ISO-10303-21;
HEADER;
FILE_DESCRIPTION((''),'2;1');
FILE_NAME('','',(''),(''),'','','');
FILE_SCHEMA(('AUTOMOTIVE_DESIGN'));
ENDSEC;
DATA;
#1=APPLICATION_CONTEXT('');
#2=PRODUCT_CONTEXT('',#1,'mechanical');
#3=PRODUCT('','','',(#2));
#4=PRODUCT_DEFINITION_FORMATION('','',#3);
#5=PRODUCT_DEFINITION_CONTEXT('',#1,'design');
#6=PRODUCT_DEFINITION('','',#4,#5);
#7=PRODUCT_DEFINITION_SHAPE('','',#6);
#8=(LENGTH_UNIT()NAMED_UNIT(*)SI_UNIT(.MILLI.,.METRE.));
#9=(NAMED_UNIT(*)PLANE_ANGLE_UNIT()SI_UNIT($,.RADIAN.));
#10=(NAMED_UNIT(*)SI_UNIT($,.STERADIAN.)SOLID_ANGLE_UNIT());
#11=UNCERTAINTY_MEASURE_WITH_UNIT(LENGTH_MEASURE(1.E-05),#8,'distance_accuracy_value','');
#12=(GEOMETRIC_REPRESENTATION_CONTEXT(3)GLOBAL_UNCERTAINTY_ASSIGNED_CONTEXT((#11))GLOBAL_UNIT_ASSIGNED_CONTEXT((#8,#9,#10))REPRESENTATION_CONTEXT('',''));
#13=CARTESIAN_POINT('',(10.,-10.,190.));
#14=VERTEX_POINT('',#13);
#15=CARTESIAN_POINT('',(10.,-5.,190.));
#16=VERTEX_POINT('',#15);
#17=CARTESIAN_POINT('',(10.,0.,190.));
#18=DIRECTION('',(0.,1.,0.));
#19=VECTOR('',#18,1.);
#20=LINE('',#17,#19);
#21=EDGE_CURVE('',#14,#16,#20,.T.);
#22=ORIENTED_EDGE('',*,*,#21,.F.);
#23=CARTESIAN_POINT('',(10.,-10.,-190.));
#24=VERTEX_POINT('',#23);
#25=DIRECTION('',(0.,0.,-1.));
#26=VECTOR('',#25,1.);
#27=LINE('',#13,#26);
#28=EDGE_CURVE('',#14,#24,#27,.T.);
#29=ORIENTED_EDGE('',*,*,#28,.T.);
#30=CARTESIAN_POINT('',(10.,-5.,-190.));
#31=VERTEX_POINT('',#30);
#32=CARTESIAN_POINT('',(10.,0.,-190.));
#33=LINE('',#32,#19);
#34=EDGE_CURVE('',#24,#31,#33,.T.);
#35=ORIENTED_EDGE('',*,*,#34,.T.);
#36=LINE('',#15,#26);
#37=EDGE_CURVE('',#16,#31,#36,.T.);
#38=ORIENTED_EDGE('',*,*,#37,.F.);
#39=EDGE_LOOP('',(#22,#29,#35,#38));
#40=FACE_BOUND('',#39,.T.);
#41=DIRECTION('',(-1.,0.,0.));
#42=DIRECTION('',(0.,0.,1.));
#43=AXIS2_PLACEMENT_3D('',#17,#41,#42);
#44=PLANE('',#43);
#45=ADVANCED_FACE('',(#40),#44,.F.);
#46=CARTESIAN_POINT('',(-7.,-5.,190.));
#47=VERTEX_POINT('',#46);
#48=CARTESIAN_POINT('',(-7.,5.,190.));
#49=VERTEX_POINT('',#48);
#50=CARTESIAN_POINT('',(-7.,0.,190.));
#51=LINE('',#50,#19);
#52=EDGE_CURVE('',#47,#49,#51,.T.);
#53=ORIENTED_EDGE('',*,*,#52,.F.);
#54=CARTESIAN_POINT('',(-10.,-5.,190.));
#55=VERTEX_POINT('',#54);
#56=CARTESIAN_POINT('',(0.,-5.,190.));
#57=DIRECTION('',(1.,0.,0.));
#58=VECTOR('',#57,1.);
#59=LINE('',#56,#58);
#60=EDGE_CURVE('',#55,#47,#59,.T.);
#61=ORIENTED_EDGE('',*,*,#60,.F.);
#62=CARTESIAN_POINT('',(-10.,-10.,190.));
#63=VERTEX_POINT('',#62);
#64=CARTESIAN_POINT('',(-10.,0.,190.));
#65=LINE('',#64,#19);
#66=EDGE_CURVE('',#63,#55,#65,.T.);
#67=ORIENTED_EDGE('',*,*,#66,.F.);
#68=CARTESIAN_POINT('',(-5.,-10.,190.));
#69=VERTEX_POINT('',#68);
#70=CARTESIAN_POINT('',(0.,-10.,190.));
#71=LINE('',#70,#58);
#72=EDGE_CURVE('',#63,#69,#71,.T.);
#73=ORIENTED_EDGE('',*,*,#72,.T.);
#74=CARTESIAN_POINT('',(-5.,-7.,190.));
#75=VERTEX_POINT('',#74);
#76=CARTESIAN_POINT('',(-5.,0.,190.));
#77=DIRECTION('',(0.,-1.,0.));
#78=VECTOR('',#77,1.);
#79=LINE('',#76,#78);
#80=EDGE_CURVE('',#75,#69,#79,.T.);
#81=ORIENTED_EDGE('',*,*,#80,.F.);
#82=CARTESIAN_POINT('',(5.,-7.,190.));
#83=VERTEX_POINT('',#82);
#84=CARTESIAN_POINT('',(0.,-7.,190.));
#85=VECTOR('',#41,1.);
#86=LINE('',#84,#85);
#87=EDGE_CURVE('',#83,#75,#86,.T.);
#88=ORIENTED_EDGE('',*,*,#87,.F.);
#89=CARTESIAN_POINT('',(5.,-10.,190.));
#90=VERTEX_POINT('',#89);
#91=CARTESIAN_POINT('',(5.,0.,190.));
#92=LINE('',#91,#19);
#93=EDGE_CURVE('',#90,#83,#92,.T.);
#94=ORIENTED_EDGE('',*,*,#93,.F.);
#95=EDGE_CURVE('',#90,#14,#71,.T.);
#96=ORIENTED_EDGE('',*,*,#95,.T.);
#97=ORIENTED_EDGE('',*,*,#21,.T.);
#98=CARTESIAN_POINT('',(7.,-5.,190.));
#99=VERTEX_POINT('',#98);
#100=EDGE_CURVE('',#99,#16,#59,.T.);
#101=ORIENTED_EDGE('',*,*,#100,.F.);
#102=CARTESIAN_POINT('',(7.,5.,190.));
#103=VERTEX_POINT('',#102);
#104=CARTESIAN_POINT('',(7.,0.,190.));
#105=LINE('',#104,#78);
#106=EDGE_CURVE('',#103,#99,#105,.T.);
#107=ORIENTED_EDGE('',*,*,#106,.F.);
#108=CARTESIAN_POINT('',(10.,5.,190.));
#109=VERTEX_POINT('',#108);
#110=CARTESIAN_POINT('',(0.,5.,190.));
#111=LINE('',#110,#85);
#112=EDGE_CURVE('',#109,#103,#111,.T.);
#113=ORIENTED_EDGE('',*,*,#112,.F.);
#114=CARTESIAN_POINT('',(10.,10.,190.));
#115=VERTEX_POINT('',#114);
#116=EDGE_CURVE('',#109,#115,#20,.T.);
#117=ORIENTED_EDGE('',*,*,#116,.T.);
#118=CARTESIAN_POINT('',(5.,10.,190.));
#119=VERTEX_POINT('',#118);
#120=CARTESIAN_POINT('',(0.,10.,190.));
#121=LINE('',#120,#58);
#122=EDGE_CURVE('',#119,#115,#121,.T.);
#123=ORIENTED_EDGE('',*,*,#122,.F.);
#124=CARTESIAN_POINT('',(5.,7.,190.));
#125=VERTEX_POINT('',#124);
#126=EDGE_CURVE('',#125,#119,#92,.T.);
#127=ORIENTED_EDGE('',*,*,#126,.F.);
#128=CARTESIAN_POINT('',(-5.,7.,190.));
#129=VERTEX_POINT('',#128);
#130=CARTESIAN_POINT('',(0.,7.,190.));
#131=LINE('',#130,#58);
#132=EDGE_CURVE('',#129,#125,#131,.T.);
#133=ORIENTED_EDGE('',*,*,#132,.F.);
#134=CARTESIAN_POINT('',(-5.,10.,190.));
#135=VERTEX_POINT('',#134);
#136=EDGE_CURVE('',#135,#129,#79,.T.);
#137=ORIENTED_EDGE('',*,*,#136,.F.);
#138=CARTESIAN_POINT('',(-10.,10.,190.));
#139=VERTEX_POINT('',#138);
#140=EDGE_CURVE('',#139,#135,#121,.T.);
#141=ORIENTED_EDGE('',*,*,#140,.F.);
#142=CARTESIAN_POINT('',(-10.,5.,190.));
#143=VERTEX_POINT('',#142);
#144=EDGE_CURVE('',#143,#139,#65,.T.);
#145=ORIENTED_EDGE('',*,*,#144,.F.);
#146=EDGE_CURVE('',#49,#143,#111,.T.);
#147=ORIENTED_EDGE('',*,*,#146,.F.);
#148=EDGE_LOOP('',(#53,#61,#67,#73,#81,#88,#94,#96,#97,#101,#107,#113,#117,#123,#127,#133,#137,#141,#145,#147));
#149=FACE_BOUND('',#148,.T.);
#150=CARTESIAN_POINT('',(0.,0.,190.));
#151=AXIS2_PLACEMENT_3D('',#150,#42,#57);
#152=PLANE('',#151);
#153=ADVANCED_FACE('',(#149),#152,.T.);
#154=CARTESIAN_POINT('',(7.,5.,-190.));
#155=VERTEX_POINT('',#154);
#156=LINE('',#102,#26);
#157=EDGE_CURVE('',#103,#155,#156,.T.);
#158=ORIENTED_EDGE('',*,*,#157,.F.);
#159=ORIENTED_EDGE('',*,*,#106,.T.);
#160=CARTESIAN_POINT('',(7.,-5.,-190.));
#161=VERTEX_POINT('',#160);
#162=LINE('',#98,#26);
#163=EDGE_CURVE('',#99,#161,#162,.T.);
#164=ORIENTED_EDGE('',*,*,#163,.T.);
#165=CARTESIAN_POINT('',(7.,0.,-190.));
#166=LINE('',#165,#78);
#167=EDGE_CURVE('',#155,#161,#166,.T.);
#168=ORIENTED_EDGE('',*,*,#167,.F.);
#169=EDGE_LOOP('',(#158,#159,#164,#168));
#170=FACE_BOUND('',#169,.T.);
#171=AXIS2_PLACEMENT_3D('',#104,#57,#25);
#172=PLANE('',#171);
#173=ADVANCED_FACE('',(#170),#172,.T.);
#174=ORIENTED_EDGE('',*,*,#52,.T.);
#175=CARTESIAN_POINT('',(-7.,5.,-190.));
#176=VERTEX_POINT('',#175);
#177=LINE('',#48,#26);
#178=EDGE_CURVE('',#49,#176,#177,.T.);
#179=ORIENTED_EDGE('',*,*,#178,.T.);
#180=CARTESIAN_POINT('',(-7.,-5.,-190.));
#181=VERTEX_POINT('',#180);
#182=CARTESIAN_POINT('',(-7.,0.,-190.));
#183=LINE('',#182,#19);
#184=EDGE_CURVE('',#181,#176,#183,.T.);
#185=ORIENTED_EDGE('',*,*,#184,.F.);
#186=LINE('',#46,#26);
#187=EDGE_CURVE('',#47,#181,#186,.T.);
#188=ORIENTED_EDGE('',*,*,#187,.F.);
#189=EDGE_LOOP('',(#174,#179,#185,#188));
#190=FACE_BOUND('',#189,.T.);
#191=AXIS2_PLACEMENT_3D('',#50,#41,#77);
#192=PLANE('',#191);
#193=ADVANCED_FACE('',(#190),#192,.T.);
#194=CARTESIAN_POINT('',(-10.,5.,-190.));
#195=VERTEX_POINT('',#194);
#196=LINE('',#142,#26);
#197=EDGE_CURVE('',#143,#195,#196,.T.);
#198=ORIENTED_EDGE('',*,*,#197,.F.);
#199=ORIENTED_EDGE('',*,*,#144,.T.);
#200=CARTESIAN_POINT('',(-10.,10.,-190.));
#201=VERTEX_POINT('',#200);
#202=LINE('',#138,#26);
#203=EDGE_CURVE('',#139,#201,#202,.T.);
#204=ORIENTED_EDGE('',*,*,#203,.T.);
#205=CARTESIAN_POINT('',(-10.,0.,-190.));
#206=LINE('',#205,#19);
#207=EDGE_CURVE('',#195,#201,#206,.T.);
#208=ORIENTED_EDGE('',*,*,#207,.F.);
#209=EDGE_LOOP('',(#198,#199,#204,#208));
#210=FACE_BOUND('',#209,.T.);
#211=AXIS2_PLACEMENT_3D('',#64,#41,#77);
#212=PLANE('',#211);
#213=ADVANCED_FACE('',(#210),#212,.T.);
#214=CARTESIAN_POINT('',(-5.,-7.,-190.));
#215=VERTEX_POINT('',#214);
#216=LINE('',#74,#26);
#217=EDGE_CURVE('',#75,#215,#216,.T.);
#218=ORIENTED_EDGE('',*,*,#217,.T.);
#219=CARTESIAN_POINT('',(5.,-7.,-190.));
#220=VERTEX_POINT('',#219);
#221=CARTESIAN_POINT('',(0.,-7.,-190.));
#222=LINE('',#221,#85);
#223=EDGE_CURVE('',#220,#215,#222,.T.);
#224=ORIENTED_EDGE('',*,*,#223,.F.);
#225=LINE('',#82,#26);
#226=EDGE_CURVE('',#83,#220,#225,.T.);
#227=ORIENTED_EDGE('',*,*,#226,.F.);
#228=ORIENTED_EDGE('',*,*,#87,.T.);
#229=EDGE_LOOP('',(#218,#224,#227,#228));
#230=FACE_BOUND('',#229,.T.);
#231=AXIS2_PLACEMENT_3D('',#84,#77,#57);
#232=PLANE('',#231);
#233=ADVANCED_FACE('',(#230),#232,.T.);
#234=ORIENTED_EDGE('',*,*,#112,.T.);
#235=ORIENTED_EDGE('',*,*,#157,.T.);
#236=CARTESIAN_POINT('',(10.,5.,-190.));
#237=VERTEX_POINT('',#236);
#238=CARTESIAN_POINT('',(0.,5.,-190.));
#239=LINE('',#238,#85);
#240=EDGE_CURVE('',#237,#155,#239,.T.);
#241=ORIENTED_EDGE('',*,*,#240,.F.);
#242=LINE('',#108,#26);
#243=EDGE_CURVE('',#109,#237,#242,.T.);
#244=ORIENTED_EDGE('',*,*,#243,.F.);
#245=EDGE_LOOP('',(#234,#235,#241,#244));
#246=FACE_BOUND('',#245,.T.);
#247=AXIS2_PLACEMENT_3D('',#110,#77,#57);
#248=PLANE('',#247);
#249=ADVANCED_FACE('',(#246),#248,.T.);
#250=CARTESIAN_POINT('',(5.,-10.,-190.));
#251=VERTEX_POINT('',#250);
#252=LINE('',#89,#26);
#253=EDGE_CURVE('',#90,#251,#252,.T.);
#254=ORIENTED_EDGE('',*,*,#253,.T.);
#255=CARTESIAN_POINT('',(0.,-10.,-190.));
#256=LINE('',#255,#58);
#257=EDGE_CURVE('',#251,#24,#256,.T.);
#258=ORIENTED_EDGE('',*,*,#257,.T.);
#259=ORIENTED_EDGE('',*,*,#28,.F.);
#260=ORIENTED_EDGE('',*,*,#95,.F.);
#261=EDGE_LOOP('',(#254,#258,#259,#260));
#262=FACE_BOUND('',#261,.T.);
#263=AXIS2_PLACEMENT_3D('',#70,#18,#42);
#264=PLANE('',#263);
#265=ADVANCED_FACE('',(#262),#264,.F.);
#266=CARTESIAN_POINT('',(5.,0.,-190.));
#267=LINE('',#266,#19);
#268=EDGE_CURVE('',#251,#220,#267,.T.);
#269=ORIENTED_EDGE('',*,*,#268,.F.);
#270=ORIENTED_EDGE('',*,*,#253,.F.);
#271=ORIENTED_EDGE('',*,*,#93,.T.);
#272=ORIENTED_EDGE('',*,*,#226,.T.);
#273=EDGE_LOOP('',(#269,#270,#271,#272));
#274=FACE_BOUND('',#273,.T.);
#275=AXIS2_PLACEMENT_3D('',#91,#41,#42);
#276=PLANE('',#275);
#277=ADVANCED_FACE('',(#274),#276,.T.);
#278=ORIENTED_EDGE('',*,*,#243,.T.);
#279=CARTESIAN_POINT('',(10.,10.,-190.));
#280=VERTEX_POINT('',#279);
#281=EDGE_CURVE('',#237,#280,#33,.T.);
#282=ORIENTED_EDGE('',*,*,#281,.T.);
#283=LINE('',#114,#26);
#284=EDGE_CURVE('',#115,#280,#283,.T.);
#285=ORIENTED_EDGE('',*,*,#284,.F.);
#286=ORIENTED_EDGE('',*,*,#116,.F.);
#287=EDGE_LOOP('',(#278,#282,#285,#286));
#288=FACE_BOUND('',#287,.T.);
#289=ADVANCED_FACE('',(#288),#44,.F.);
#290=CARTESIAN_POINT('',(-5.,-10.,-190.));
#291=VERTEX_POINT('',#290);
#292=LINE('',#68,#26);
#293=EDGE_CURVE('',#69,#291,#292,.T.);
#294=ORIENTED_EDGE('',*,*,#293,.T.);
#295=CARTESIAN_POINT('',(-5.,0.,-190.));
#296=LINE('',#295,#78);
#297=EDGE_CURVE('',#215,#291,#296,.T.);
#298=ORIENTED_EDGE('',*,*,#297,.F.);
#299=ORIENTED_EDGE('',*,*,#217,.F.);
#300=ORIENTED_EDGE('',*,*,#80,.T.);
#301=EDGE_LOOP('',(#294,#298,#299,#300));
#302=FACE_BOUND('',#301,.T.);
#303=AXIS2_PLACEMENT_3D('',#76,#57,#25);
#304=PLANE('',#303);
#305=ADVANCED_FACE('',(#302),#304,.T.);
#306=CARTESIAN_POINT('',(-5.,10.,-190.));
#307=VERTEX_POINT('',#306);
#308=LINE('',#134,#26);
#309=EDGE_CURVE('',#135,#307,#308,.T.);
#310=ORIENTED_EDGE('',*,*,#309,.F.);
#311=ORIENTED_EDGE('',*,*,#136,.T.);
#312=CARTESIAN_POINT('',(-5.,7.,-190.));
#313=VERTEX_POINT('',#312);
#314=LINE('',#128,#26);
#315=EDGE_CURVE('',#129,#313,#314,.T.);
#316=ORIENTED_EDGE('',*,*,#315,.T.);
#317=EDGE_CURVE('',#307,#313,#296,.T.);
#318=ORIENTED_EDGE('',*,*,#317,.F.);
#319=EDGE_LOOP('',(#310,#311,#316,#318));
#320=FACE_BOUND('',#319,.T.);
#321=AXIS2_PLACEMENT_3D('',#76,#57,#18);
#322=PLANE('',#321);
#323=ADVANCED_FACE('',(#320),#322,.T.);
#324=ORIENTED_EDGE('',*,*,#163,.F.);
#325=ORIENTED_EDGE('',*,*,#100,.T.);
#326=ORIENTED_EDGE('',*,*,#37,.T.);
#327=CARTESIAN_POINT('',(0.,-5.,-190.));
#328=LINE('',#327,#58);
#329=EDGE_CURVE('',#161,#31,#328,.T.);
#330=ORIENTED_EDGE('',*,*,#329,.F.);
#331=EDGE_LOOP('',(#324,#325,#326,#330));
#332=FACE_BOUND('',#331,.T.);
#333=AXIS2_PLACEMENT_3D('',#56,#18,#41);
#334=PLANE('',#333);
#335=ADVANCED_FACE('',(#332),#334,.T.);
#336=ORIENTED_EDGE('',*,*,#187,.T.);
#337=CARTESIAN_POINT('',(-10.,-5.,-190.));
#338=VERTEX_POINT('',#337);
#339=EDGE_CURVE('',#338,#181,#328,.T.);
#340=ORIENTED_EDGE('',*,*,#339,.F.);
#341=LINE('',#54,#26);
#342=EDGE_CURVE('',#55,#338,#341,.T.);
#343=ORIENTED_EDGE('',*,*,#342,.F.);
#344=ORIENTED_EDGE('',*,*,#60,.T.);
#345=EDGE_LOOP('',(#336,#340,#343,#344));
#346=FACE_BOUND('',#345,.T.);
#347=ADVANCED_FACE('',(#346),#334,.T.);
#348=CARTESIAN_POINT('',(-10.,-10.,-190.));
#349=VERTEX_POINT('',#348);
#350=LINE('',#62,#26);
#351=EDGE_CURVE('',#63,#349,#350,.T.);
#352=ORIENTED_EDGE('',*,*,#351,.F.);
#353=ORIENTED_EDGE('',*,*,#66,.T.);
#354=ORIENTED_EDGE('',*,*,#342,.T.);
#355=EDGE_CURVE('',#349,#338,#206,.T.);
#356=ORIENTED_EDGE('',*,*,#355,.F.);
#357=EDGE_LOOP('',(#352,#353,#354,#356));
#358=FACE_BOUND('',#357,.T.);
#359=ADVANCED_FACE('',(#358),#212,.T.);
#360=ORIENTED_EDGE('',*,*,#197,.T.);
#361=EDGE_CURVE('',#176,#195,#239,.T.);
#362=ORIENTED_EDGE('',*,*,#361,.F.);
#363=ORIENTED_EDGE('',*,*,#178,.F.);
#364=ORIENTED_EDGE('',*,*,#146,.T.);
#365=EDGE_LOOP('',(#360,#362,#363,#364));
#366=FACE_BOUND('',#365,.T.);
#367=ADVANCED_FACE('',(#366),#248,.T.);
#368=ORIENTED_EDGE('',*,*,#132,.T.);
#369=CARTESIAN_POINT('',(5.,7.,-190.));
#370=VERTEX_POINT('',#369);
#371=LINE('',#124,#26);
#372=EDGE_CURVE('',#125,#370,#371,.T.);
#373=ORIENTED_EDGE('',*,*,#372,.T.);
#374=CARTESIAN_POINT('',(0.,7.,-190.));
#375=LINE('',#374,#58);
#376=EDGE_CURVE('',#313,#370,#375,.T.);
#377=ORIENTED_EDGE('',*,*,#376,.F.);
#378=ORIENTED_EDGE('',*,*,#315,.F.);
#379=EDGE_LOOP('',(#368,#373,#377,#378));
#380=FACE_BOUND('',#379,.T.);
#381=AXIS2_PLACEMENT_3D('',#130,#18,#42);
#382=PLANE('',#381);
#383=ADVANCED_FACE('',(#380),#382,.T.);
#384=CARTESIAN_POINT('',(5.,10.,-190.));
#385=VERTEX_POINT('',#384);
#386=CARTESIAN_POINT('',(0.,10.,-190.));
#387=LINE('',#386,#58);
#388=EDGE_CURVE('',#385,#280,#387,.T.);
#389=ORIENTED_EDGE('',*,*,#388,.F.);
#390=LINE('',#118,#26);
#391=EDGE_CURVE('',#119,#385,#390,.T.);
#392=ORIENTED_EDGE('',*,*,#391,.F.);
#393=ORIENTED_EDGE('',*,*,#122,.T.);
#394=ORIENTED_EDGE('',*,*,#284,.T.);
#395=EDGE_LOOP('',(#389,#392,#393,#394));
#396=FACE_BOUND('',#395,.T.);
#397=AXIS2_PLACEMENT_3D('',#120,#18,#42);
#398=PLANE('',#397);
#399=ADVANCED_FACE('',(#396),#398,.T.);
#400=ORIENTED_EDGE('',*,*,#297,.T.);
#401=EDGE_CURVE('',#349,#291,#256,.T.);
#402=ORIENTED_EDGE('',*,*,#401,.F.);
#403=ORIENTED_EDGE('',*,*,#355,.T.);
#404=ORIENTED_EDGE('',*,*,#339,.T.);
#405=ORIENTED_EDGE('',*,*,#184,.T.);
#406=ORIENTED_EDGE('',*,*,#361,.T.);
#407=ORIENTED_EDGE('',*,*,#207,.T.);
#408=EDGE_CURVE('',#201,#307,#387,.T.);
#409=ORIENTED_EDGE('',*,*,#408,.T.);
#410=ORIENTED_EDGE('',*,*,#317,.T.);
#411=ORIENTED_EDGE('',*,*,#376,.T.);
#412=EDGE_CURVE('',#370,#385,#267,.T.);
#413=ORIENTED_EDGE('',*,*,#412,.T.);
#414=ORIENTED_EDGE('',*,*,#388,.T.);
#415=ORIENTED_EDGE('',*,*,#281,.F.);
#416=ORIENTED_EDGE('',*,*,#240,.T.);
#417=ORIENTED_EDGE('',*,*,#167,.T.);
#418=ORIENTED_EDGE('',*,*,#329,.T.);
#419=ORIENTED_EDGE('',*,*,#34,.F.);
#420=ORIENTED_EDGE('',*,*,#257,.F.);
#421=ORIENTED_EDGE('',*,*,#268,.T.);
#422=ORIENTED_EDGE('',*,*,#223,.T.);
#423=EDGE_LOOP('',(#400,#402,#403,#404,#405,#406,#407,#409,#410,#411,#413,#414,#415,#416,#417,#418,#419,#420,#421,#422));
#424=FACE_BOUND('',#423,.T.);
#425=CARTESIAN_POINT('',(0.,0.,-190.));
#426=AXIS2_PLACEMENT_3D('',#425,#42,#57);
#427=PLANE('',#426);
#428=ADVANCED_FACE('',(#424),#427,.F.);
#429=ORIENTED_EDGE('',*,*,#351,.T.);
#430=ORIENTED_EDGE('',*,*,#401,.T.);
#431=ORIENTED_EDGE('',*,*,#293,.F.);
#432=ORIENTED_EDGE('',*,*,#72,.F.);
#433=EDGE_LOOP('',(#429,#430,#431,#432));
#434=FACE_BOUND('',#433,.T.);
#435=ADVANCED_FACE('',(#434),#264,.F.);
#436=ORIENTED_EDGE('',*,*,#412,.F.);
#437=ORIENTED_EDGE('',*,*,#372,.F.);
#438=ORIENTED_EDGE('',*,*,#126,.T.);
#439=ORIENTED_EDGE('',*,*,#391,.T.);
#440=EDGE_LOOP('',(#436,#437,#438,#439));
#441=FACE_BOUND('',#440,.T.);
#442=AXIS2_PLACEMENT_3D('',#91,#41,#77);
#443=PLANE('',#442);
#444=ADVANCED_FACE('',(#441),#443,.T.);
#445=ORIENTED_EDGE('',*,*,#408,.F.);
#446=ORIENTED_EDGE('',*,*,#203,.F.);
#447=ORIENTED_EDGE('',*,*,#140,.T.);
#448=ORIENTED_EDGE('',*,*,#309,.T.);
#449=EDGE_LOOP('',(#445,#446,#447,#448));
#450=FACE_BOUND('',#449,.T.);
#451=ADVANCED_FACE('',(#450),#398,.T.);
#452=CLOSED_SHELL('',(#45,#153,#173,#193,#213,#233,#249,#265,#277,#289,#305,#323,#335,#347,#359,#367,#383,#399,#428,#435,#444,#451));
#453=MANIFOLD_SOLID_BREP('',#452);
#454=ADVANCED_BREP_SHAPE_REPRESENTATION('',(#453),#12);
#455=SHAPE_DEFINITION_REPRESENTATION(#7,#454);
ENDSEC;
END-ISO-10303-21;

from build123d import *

# Parameters (mm, degrees)
EXTRUDE_1_DEPTH = 190


with BuildPart() as part:
    # 草图1 → 凸台-拉伸1 (new, symmetric)
    with BuildSketch(Plane.XY):
        Polygon((-5, 7), (-5, 10), (-10, 10), (-10, 5), (-7, 5), (-7, -5), (-10, -5), (-10, -10), (-5, -10), (-5, -7), (5, -7), (5, -10), (10, -10), (10, -5), (7, -5), (7, 5), (10, 5), (10, 10), (5, 10), (5, 7), align=None)
    extrude(amount=EXTRUDE_1_DEPTH, both=True)


solid = part.part
